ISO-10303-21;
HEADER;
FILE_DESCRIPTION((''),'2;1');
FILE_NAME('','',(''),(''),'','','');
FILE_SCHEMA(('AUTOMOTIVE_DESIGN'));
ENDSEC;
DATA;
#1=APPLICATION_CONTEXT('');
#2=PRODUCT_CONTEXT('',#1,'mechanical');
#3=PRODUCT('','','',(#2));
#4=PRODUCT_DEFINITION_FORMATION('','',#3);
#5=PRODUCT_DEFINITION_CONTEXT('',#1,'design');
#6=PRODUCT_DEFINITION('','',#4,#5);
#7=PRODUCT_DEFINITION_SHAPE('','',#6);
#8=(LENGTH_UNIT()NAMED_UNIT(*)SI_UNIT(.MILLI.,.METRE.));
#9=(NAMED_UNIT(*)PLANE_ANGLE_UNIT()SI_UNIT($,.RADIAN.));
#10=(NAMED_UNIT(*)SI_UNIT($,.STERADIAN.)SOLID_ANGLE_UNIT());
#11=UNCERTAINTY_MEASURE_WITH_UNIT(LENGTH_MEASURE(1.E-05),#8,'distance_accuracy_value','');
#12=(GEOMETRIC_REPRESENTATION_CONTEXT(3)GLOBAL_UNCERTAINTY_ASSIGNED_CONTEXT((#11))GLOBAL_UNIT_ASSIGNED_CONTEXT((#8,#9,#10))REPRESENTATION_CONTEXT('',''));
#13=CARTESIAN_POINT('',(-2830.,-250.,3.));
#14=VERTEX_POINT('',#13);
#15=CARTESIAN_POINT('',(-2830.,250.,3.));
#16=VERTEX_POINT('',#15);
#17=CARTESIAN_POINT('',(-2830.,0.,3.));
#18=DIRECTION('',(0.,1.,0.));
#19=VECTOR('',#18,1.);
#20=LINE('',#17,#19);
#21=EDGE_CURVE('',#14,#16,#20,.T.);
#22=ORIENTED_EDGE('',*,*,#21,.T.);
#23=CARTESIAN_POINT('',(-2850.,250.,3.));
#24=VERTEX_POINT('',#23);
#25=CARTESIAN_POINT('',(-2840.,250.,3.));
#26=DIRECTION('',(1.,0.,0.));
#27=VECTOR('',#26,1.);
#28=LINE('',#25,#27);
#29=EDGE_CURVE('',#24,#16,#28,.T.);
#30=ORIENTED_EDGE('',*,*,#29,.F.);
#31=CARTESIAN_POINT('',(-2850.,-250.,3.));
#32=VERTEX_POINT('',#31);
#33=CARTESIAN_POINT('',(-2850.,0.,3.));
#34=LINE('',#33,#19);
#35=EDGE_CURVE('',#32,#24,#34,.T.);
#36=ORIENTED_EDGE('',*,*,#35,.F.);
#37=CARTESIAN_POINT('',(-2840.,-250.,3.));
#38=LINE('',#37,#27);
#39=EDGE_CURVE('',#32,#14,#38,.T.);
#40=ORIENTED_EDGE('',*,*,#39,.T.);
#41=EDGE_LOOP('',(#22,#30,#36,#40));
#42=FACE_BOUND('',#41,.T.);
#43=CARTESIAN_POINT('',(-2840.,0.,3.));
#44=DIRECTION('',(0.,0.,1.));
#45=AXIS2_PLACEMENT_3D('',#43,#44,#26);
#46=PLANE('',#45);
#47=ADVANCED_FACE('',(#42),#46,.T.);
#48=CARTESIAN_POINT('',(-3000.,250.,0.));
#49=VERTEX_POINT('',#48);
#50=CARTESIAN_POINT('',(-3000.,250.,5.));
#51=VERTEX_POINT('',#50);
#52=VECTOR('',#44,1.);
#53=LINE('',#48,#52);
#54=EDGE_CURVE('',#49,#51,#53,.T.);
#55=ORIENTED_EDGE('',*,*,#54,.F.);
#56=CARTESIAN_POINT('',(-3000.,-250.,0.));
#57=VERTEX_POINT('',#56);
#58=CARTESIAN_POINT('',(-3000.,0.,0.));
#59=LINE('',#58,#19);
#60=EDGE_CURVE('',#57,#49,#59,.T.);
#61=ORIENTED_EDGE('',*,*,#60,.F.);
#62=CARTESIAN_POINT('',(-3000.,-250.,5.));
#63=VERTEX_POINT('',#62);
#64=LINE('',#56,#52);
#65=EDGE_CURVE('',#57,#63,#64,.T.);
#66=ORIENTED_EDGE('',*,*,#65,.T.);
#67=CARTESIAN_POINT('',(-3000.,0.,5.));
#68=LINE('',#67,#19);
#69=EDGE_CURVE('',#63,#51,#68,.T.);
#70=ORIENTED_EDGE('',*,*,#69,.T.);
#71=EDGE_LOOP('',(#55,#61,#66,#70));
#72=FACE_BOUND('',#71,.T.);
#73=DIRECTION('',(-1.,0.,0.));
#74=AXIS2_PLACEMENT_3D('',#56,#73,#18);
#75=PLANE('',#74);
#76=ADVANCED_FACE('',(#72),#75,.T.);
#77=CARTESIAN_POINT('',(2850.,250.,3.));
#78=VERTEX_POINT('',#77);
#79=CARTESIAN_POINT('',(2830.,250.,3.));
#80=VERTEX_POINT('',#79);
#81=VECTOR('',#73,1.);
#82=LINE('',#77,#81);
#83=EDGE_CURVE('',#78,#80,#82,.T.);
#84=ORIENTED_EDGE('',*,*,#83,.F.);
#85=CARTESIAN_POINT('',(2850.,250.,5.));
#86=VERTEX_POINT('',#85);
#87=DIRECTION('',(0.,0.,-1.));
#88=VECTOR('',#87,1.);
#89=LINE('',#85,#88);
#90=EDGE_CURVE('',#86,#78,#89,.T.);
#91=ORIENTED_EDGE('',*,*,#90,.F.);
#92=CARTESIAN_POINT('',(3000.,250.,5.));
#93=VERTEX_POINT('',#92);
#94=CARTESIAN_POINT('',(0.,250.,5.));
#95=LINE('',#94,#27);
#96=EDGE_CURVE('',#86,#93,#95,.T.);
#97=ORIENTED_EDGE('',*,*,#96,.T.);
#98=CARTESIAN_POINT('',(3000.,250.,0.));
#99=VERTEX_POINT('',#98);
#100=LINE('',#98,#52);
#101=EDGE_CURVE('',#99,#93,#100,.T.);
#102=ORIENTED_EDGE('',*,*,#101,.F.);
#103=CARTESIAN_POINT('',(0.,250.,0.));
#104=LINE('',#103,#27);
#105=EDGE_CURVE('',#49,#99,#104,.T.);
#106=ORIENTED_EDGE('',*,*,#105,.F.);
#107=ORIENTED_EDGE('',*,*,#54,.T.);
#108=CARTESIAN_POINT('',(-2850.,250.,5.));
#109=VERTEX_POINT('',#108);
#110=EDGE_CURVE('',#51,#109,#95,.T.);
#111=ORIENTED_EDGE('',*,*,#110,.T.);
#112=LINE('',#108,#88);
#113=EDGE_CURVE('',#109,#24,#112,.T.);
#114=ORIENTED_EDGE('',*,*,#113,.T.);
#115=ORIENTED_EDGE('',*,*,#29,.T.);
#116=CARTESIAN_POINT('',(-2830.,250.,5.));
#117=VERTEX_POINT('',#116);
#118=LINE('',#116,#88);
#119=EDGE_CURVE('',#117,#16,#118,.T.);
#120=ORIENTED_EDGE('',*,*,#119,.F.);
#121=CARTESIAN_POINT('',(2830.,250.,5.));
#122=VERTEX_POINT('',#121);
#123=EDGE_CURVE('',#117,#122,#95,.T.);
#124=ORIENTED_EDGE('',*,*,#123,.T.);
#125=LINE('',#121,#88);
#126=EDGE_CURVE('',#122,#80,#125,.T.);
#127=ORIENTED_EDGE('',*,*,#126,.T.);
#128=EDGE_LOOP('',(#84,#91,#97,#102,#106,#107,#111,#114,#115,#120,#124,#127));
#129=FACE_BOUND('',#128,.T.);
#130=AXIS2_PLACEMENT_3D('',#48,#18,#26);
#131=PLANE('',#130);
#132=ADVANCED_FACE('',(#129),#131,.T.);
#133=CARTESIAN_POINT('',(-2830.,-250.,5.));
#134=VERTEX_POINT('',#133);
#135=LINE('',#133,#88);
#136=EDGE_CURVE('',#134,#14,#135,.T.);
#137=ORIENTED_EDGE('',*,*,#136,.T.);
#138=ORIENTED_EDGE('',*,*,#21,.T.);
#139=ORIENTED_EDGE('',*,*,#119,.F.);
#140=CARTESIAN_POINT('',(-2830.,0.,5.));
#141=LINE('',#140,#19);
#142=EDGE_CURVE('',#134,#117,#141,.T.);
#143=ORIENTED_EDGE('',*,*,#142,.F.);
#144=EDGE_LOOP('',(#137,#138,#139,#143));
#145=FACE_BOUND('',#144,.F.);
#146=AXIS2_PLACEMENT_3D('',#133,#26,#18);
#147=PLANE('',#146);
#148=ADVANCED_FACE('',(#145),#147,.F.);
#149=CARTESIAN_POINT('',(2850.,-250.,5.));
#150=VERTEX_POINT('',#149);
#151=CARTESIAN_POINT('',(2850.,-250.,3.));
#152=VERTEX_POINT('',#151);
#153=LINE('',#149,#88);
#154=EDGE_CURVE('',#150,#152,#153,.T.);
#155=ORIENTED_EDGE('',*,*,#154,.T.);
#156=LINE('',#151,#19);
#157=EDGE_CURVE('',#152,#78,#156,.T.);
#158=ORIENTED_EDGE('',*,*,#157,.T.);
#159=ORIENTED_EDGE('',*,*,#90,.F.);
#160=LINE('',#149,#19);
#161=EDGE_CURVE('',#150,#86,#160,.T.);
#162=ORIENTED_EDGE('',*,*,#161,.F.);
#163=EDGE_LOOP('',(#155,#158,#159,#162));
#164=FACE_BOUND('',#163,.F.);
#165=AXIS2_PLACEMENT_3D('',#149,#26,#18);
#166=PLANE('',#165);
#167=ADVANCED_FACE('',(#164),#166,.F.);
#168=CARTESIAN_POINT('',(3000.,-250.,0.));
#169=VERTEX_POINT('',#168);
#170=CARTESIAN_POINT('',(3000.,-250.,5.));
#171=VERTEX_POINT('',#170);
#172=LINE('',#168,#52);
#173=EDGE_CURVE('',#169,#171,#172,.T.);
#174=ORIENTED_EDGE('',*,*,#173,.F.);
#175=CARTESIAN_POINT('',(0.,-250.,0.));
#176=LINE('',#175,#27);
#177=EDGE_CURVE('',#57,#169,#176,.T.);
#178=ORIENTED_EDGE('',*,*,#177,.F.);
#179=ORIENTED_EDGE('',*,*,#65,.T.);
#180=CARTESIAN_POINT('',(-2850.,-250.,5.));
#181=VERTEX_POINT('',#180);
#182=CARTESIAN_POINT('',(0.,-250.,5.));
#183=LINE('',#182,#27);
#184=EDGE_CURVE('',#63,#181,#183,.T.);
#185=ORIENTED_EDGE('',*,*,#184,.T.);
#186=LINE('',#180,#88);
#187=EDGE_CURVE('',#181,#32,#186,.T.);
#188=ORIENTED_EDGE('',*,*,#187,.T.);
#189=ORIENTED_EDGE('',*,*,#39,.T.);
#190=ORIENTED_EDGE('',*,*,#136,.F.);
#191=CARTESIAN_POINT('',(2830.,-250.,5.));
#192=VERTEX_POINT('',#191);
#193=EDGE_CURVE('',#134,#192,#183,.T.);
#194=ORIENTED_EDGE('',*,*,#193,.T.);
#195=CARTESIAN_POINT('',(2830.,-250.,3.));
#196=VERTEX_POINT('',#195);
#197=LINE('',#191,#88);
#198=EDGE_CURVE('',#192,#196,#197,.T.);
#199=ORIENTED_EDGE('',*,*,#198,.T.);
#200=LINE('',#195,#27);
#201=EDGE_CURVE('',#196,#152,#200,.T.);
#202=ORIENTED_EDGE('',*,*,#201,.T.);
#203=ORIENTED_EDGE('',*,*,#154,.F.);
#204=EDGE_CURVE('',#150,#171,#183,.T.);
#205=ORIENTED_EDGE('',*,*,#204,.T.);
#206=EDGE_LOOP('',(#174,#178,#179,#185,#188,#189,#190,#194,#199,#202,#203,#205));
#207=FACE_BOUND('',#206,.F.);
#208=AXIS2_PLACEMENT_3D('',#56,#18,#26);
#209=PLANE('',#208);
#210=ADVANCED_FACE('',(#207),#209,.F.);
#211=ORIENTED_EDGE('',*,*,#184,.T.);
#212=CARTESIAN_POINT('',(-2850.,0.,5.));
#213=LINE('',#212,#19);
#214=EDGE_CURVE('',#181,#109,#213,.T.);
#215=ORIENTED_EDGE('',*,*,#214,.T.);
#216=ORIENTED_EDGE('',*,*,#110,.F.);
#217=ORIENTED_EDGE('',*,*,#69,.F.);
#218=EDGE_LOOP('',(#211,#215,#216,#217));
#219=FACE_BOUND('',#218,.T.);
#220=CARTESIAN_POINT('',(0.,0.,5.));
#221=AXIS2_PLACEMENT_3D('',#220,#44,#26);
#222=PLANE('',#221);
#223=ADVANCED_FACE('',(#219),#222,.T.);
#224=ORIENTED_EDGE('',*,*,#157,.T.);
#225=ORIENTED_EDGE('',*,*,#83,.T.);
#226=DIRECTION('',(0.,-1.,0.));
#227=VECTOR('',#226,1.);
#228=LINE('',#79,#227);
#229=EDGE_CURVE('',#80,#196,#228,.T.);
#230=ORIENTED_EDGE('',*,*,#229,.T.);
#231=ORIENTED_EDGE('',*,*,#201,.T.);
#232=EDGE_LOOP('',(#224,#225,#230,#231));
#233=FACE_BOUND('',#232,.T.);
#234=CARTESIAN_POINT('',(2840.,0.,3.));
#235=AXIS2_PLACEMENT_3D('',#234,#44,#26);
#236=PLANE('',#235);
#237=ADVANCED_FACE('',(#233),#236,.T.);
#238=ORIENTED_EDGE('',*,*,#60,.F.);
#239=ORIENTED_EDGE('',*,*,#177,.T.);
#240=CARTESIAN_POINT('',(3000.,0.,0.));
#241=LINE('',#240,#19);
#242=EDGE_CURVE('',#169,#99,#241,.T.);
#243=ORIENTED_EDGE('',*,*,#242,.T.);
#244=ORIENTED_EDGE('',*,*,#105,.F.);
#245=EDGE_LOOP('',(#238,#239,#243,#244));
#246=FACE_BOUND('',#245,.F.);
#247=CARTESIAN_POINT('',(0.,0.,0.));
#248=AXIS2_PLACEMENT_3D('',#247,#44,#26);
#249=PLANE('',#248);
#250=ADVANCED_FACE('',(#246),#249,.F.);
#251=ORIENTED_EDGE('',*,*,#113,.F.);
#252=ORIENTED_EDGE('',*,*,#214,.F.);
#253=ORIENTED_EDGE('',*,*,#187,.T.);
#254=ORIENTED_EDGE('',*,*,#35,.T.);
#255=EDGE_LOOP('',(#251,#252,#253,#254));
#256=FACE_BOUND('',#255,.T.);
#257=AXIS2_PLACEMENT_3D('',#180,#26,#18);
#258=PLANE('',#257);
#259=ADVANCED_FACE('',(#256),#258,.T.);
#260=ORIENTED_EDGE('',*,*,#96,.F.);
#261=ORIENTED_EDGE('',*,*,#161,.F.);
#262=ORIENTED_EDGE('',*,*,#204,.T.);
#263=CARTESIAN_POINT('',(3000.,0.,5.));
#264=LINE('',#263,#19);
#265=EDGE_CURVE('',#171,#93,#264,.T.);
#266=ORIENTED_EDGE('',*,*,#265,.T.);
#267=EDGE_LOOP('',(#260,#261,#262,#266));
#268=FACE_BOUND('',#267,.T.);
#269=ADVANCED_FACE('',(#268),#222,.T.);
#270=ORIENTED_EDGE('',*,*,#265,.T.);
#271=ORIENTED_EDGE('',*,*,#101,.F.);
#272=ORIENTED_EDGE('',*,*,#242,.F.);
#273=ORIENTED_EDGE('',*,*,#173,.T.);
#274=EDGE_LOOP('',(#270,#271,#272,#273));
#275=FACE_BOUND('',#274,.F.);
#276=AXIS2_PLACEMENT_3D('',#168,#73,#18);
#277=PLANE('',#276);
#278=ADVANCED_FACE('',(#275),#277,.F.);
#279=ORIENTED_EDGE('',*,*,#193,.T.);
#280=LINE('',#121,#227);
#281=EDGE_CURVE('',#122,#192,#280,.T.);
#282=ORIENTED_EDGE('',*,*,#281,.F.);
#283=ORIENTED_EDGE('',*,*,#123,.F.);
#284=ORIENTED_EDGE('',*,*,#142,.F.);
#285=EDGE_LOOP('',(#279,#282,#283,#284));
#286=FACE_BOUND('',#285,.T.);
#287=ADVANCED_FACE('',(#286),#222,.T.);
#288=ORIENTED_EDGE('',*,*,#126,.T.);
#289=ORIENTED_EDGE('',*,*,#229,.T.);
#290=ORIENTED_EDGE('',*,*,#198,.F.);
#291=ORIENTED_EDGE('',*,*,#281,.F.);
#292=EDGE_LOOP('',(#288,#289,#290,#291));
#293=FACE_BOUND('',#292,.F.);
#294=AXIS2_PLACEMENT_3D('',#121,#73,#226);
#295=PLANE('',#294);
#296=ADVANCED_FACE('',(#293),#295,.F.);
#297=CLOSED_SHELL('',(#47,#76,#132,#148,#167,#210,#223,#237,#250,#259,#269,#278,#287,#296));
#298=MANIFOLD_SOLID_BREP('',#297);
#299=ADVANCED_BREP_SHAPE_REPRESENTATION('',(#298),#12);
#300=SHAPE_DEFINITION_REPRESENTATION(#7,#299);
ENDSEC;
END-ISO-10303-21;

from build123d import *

# Parameters (mm, degrees)
F0_W     = 6000
F0_H     = 500
F1_DEPTH = 5
F2_W     = 20
F2_H     = 500
F3_DEPTH = 2


with BuildPart() as f1:
    # F0 (on Top) → F1 (new body)
    with BuildSketch(Plane.XY):
        Rectangle(F0_W, F0_H)
    extrude(amount=F1_DEPTH)

    # F2 (on face) → F3 (cut)
    with BuildSketch(Plane.XY.offset(5)):
        with Locations((-2840, 0)):
            Rectangle(F2_W, F2_H)
        Polygon((2850, -250), (2850, 0), (2850, 250), (2830, 250), (2830, -250), align=None)
    extrude(amount=-F3_DEPTH, mode=Mode.SUBTRACT)


solid = f1.part
